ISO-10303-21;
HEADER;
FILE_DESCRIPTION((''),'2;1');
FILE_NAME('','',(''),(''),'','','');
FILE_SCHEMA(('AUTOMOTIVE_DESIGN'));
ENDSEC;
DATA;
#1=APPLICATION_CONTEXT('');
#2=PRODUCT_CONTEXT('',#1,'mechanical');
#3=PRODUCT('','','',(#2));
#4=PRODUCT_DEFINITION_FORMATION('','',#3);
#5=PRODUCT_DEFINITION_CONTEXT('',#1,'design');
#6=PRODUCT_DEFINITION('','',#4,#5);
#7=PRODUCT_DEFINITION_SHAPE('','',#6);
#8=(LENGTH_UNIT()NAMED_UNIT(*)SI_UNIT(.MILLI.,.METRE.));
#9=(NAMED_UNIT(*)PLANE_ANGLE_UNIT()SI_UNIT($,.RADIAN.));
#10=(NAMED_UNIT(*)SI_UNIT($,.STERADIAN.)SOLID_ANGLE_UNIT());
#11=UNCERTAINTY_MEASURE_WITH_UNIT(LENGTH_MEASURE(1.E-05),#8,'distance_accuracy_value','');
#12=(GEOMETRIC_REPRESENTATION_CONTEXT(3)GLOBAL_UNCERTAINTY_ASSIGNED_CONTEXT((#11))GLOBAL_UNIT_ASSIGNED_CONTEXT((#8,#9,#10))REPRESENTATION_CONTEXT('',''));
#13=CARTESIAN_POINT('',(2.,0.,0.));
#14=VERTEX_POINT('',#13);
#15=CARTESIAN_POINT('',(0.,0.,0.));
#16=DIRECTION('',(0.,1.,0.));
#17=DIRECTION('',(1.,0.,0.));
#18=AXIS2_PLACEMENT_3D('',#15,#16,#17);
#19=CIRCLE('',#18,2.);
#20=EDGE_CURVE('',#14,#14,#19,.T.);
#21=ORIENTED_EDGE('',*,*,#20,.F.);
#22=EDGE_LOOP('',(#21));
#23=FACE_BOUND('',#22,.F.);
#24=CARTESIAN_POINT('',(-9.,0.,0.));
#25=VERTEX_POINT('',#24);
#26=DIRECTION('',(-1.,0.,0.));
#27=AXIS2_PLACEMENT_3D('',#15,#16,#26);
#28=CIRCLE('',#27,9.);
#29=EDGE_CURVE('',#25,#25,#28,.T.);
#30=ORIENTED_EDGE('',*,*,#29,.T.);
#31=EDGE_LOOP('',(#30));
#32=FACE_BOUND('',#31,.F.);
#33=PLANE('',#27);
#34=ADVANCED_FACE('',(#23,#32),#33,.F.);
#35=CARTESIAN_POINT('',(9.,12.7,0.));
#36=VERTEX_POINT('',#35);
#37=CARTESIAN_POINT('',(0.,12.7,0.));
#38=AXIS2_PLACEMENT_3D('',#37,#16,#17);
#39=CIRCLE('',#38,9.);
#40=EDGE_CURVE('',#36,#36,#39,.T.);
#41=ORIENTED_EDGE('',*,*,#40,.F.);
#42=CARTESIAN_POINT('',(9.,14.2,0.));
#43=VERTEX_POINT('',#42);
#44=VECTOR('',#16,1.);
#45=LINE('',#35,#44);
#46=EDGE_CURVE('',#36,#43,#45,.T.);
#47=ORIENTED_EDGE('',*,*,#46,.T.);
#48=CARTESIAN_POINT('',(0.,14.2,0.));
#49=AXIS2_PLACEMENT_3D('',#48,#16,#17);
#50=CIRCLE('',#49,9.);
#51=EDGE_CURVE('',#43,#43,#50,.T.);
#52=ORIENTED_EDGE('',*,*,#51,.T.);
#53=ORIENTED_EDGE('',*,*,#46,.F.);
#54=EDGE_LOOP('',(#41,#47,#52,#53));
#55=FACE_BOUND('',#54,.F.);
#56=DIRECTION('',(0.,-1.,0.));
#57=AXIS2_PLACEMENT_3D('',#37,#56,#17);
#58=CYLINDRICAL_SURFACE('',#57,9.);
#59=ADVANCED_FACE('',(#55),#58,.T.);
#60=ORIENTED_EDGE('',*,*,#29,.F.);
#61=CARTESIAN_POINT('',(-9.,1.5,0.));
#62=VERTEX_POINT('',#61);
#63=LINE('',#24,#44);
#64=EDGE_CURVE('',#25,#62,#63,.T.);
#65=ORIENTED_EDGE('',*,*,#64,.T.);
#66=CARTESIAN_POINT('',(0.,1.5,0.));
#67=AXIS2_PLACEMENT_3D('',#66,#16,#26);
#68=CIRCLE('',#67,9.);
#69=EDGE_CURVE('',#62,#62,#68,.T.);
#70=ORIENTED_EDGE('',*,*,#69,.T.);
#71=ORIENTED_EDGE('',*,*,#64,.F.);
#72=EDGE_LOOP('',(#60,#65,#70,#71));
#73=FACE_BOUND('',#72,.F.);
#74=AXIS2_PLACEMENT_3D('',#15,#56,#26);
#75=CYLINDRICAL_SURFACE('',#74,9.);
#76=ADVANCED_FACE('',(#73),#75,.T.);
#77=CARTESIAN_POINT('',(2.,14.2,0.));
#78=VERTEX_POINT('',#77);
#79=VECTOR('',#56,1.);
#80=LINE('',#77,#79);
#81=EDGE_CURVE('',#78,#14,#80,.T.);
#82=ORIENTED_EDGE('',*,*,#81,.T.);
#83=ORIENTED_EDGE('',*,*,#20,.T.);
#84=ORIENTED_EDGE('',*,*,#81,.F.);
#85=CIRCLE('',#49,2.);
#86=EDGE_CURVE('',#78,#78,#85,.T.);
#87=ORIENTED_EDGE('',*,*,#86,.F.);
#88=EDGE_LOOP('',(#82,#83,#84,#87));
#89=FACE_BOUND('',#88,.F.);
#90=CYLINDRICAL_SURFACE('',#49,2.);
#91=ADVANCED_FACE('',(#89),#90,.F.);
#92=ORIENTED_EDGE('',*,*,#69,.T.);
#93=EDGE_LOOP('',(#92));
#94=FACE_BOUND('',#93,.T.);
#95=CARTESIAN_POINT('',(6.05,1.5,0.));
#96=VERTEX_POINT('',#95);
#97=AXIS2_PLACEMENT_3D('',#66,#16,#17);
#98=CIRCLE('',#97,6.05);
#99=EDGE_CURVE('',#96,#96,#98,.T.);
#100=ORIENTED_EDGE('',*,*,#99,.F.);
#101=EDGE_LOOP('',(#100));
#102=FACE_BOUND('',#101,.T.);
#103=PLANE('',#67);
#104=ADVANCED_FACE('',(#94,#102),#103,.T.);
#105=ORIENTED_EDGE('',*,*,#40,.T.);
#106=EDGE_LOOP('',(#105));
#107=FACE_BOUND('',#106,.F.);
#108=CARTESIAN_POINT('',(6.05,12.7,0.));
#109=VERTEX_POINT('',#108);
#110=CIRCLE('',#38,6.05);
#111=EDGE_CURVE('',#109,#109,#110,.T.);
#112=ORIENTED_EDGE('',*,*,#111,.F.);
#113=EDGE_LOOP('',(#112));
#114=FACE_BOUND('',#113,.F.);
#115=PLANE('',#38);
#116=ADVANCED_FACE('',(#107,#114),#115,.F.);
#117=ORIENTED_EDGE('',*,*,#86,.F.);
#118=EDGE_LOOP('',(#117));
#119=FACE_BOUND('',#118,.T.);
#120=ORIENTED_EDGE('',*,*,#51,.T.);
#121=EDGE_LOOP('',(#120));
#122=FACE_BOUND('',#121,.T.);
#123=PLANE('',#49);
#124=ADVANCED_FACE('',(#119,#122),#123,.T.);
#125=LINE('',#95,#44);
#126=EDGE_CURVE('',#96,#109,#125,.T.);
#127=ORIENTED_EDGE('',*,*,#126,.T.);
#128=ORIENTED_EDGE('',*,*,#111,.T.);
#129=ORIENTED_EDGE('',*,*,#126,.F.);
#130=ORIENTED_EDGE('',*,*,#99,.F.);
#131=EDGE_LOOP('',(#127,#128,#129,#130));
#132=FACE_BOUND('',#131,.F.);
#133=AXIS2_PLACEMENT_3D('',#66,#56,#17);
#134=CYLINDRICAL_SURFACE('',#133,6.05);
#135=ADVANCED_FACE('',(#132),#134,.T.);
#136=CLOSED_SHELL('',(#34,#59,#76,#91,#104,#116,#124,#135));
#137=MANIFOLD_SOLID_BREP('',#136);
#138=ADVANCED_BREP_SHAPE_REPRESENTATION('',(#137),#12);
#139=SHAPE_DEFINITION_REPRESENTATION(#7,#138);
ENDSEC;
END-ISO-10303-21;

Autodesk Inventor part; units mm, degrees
ref_plane "YZ Plane" through (0, 0, 0) normal (1, 0, 0) x (0, 1, 0)
ref_plane "XZ Plane" through (0, 0, 0) normal (0, 1, 0) x (-1, 0, 0)
ref_plane "XY Plane" through (0, 0, 0) normal (0, 0, 1) x (1, 0, 0)
sketch "Sketch1" plane through (0, 0, 0) normal (0, 1, 0) x (-1, 0, 0)
  circle A0 centre (0, 0) radius 9
  dimension "d0" = 18
extrude "Extrusion1" add sketch "Sketch1" along normal blind 1.5
sketch "Sketch2" plane through (0, 1.5, 0) normal (0, 1, 0) x (1, 0, 0)
  circle A0 centre (0, 0) radius 6.05
  dimension "d3" = 12.1
extrude "Extrusion2" add sketch "Sketch2" along normal blind 11.2
sketch "Sketch3" plane through (0, 12.7, 0) normal (0, 1, 0) x (1, 0, 0)
  circle A0 centre (0, 0) radius 9
  dimension "d6" = 18
extrude "Extrusion3" add sketch "Sketch3" along normal blind 1.5
sketch "Sketch4" plane through (0, 14.2, 0) normal (0, 1, 0) x (1, 0, 0)
  circle A0 centre (0, 0) radius 6.05 projected
  circle A1 centre (0, 0) radius 2
  dimension "d9" = 4
extrude "Extrusion4" cut sketch "Sketch4" against normal through all contours A1
properties part number "10mm_Idle_Pulley_3M"
